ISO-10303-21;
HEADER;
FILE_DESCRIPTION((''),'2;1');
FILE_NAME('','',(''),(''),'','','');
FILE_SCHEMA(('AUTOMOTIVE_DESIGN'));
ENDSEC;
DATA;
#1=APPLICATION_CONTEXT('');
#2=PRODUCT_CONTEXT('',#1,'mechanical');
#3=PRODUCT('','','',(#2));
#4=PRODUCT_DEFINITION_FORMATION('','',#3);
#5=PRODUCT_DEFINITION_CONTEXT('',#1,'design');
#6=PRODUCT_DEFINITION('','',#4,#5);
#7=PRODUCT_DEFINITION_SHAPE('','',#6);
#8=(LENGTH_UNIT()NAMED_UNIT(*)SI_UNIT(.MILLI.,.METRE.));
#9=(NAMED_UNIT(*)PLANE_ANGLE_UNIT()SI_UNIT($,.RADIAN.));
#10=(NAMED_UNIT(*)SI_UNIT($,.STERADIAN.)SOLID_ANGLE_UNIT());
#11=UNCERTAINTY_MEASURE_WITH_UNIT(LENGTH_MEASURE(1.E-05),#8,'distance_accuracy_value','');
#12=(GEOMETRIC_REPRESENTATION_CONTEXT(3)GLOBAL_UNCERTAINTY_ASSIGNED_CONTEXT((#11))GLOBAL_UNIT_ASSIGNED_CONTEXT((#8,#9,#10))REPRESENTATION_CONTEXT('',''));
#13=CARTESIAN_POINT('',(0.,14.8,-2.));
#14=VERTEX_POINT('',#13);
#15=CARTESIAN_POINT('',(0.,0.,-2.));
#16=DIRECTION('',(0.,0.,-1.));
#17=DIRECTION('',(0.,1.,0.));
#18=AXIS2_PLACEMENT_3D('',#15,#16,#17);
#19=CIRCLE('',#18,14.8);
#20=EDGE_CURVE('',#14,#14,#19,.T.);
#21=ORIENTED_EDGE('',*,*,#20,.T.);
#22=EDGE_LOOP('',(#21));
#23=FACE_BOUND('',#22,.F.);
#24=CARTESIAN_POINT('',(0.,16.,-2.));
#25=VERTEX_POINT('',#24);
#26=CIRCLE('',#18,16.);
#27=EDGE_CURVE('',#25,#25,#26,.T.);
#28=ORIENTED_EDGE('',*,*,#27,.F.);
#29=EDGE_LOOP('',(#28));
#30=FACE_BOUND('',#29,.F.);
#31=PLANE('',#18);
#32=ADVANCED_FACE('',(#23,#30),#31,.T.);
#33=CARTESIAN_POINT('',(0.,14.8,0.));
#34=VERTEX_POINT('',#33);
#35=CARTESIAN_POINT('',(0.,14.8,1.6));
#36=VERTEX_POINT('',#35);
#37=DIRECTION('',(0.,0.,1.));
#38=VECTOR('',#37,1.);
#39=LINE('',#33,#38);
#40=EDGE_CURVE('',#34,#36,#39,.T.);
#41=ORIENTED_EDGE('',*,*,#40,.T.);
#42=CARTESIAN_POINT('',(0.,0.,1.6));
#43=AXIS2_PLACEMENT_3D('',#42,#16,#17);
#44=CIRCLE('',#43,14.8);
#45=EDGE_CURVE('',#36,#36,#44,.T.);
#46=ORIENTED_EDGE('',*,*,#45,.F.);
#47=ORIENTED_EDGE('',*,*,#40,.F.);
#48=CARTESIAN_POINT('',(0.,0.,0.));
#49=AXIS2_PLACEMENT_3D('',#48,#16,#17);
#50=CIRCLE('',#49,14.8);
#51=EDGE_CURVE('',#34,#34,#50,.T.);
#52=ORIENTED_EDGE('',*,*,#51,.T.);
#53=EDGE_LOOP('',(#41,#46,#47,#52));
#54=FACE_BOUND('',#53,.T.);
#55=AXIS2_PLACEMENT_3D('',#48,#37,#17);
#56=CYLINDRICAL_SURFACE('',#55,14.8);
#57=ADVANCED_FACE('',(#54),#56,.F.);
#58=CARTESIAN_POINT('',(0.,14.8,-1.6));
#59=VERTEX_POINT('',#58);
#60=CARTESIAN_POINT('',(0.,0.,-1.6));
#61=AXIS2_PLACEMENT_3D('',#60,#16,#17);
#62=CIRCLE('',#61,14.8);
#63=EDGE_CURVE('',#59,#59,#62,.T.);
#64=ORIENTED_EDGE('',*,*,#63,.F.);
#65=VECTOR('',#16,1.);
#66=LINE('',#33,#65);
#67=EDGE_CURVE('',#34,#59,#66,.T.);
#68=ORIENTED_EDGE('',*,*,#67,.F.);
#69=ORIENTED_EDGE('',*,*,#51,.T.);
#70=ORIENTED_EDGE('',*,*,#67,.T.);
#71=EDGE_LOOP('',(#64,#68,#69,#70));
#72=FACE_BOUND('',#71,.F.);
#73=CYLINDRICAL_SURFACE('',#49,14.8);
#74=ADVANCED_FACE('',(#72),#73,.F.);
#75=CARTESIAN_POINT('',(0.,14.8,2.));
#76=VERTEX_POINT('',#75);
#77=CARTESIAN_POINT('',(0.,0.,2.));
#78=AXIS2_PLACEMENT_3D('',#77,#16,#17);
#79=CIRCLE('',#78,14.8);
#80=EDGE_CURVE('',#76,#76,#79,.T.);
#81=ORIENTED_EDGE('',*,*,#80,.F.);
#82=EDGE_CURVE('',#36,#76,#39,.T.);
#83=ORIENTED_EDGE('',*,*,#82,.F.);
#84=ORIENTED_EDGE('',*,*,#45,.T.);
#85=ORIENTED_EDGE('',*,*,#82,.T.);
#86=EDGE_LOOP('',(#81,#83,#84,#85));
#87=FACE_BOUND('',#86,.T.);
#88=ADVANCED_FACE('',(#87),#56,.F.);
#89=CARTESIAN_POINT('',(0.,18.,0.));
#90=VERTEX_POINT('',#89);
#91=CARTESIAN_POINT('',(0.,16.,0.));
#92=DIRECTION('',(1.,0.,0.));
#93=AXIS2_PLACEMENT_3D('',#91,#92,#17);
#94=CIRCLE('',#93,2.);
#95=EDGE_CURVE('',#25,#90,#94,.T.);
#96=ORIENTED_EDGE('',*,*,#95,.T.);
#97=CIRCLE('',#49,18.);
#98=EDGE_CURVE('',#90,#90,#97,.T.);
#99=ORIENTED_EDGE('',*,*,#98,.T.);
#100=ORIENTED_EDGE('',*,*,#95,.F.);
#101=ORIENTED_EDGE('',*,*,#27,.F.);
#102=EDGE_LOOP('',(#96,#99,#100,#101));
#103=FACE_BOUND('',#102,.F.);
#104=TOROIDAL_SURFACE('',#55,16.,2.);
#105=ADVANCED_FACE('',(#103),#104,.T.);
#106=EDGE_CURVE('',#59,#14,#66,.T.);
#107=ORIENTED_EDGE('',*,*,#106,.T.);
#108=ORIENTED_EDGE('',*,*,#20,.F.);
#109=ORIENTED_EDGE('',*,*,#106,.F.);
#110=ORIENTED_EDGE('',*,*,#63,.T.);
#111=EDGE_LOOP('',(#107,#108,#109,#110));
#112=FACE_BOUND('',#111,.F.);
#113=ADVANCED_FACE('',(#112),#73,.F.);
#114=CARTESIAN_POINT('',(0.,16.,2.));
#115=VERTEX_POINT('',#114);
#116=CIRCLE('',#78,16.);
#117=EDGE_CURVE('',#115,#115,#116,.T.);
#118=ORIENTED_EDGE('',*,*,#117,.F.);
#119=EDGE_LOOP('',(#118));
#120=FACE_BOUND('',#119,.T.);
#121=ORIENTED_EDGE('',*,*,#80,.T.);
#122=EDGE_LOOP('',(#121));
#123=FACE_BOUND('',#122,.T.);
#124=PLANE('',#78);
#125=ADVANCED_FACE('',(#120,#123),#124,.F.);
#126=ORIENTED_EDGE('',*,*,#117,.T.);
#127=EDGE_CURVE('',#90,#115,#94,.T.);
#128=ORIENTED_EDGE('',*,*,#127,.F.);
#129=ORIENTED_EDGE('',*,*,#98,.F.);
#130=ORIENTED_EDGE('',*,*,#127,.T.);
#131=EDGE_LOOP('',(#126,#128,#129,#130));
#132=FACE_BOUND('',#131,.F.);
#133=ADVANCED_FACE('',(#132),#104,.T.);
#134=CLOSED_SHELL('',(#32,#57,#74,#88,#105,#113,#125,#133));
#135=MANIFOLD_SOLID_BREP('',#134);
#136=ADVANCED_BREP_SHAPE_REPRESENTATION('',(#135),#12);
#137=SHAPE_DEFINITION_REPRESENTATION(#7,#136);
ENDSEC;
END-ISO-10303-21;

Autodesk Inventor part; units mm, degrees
ref_plane "YZ Plane" through (0, 0, 0) normal (1, 0, 0) x (0, 1, 0)
ref_plane "XZ Plane" through (0, 0, 0) normal (0, 1, 0) x (-1, 0, 0)
ref_plane "XY Plane" through (0, 0, 0) normal (0, 0, 1) x (1, 0, 0)
sketch "スケッチ1" plane through (0, 0, 0) normal (1, 0, 0) x (0, 1, 0)
  line L0 (14.8, 0) -> (14.8, 2)
  line L1 (14.8, 0) -> (14.8, -2)
  circle A0 centre (16, 0) radius 2
  line L2 (14.8, 2) -> (16, 2)
  line L3 (14.8, -2) -> (16, -2)
  line L4 (0, 0) -> (0, -5)
  point P0 (18, 0)
  dimension "d0" = 2
  dimension "d1" = 2
  dimension "d3" = 18
  dimension "d4" = 4
  dimension "d5" = 5
  dimension "d7" = 3.2
revolve "回転1" add sketch "スケッチ1" angle 360 about axis through (0, 0, 0) along (0, 0, -1) picked at (16.9166, -0.1483) contours L0 A0 L1 | L0 L2 A0 | A0 L3 L1
properties part number "36mm tamiya-slim-tire-gomu" material "ABS Plastic"
